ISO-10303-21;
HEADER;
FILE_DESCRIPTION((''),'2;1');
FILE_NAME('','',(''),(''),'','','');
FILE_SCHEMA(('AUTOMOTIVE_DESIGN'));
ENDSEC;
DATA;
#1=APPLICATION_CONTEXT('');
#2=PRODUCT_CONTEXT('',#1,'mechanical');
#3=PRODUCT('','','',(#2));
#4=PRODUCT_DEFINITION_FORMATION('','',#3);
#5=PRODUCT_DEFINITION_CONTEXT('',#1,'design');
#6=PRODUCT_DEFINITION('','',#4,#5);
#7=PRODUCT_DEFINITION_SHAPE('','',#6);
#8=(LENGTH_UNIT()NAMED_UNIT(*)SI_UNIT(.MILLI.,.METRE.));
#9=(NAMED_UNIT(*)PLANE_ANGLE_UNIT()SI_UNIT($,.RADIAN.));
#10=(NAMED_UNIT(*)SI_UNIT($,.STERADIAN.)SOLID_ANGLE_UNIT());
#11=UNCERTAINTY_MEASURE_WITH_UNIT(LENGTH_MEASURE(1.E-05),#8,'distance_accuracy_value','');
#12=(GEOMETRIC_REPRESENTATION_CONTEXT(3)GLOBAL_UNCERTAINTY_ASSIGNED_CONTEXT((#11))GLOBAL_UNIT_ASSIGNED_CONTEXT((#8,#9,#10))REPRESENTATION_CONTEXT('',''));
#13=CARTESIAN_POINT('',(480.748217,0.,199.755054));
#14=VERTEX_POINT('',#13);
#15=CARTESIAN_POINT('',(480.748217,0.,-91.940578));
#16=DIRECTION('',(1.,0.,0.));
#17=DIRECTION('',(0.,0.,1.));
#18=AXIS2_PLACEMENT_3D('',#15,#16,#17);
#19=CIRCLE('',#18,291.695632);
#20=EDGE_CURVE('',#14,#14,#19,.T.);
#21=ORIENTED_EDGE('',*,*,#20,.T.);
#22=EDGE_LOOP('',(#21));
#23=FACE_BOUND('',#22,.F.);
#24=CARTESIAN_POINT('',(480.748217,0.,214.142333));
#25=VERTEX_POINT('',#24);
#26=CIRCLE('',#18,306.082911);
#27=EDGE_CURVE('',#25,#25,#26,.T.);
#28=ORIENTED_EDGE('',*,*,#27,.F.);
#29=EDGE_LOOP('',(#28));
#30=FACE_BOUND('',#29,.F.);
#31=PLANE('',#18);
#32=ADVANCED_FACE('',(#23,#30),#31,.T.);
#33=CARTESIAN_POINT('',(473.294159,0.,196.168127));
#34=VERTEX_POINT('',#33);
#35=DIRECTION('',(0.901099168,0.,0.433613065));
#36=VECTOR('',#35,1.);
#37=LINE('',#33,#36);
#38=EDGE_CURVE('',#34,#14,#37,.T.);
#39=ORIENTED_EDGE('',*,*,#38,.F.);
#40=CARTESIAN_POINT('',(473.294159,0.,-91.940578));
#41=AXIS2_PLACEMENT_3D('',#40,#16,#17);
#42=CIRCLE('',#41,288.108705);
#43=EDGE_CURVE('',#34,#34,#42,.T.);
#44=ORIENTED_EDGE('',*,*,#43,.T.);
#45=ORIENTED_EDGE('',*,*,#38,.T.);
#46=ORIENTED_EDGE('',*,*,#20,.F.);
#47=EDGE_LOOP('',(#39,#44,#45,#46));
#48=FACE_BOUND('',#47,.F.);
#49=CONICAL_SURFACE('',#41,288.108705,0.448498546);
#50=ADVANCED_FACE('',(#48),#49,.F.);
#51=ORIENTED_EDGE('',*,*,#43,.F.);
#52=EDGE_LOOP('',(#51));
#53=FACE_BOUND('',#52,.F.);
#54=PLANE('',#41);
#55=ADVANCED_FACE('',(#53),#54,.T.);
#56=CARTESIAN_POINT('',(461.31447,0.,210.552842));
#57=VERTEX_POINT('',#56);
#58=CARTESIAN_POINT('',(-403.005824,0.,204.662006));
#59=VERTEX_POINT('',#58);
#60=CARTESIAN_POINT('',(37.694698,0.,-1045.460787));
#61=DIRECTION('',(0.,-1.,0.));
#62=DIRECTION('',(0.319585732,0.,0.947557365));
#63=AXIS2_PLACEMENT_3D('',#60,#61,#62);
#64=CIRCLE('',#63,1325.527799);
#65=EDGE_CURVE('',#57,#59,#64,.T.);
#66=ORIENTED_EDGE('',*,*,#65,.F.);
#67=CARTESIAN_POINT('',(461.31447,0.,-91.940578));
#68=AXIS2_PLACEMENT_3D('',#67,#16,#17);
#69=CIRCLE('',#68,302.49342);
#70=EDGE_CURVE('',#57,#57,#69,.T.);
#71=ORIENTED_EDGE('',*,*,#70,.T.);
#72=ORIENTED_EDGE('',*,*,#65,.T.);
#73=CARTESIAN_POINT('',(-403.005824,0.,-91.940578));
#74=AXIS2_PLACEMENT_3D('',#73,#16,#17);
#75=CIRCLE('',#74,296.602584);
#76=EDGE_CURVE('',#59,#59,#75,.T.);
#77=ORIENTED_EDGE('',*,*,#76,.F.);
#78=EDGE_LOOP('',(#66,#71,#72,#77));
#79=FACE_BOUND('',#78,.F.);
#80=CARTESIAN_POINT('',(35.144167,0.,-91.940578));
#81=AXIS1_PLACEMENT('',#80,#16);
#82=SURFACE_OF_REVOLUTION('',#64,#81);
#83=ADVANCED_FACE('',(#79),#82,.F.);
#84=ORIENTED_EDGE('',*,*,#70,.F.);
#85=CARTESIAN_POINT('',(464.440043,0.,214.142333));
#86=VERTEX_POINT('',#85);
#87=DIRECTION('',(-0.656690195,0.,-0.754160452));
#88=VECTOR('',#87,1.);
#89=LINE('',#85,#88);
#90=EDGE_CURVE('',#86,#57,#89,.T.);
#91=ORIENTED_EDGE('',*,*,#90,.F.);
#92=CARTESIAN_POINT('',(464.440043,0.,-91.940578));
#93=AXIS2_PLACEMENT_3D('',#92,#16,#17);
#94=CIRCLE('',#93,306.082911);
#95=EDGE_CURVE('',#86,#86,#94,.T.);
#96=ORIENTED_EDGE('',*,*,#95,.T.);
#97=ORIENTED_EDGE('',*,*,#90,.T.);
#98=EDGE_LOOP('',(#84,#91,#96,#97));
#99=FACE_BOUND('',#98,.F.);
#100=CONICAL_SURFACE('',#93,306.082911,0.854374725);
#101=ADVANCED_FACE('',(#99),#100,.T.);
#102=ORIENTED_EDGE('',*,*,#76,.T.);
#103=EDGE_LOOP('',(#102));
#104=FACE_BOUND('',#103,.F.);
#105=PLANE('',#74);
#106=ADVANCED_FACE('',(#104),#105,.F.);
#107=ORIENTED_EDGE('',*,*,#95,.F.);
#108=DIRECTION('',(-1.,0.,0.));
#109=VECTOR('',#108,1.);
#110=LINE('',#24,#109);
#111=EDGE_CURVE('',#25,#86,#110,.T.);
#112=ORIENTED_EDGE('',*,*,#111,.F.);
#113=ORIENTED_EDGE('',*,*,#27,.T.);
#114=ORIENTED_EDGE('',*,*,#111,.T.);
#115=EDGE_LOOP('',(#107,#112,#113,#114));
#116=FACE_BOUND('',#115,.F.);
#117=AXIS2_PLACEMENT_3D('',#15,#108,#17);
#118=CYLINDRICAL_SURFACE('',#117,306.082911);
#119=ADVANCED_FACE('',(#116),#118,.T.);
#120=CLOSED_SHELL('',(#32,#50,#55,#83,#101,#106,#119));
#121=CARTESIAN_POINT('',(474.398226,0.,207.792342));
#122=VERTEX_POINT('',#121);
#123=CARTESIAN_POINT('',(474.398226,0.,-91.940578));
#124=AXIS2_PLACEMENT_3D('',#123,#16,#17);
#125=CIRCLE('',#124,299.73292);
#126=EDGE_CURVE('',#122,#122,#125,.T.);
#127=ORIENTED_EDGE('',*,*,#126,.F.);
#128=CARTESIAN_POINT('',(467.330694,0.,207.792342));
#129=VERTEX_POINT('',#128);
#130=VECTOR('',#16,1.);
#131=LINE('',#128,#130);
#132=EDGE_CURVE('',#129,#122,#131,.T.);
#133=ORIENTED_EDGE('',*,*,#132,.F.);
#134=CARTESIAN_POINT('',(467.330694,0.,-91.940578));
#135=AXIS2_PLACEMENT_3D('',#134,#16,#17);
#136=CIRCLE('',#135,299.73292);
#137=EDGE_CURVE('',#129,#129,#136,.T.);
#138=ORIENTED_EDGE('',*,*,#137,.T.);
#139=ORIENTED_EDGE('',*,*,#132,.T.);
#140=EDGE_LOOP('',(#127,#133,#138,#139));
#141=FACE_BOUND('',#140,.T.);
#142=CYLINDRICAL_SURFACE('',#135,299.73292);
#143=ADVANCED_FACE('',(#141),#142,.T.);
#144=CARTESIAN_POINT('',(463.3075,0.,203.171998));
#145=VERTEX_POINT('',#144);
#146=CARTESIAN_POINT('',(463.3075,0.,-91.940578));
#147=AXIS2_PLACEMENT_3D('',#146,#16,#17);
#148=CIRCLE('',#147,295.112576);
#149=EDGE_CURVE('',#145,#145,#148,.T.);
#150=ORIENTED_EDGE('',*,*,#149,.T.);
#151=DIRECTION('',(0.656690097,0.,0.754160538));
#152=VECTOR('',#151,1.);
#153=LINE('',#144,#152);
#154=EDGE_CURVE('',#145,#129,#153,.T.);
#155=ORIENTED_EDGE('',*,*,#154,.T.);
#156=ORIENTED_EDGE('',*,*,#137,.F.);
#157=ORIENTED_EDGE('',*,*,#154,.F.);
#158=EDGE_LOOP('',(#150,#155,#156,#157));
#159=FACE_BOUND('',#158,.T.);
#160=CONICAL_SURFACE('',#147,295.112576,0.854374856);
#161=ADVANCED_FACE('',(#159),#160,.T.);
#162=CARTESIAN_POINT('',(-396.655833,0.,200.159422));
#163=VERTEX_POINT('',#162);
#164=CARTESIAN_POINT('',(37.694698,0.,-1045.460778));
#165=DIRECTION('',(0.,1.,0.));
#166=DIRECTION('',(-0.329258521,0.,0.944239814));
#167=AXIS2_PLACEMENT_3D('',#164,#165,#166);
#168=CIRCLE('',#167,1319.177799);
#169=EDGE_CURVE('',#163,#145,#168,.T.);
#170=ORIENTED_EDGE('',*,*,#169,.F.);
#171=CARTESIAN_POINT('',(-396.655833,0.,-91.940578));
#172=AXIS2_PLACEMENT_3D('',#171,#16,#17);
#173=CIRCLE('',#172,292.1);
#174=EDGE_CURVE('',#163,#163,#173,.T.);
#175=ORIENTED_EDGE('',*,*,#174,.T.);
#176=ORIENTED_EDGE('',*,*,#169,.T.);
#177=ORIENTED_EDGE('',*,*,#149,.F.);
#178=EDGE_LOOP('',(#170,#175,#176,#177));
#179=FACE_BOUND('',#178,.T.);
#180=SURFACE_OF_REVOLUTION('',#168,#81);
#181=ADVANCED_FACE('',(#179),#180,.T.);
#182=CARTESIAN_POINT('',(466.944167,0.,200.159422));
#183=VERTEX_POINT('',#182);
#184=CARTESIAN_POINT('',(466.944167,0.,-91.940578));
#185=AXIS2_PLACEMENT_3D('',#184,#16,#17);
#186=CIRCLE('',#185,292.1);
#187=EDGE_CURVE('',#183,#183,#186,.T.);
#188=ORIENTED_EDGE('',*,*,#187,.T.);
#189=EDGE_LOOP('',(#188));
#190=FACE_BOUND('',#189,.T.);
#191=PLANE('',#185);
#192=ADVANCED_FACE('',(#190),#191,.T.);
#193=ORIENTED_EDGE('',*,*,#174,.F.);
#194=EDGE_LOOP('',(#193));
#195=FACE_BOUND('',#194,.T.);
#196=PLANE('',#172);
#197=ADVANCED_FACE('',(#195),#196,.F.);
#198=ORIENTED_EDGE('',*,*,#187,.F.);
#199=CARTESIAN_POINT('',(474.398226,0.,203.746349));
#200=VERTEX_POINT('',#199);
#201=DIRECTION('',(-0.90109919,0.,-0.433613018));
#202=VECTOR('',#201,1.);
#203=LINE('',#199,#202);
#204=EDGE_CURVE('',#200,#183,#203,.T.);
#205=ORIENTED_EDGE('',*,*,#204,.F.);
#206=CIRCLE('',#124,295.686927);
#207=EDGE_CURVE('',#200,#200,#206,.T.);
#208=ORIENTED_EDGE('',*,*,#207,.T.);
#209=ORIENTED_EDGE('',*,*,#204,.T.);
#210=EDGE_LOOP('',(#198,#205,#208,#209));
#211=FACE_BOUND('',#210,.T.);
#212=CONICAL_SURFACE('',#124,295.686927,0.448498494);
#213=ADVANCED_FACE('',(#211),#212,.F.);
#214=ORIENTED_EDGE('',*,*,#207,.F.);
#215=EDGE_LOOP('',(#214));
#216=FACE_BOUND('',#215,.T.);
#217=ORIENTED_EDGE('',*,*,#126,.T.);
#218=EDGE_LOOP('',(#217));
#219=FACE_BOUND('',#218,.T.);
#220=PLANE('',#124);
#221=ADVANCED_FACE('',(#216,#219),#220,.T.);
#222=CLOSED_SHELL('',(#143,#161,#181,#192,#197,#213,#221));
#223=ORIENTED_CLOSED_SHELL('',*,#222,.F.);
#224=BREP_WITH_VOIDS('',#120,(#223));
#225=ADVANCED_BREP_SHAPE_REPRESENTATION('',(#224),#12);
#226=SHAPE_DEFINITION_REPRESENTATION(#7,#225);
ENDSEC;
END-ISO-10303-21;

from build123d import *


with BuildPart() as f1:
    # F0 (on Front) → F1 (revolve)
    with BuildSketch(Plane.XZ):
        with BuildLine():
            Line((-403.005824, -91.940578), (-396.655833, -91.940578))
            Line((-396.655833, -91.940578), (-396.655833, 200.159422))
            ThreePointArc((-396.655833, 200.159422), (33.073456, 273.708927), (463.3075, 203.171998))
            Line((463.3075, 203.171998), (467.330694, 207.792342))
            Line((467.330694, 207.792342), (474.398226, 207.792342))
            Line((474.398226, 207.792342), (474.398226, 203.746349))
            Line((474.398226, 203.746349), (466.944167, 200.159422))
            Line((466.944167, 200.159422), (466.944167, -91.940578))
            Line((466.944167, -91.940578), (473.294159, -91.940578))
            Line((473.294159, -91.940578), (473.294159, 196.168127))
            Line((473.294159, 196.168127), (480.748217, 199.755054))
            Line((480.748217, 199.755054), (480.748217, 214.142333))
            Line((480.748217, 214.142333), (464.440043, 214.142333))
            Line((464.440043, 214.142333), (461.31447, 210.552842))
            ThreePointArc((461.31447, 210.552842), (28.66068, 280.036227), (-403.005824, 204.662006))
            Line((-403.005824, 204.662006), (-403.005824, -91.940578))
        make_face()
    revolve(axis=Axis((35.144167, 0, -91.940578), (1, 0, 0)))


solid = f1.part
